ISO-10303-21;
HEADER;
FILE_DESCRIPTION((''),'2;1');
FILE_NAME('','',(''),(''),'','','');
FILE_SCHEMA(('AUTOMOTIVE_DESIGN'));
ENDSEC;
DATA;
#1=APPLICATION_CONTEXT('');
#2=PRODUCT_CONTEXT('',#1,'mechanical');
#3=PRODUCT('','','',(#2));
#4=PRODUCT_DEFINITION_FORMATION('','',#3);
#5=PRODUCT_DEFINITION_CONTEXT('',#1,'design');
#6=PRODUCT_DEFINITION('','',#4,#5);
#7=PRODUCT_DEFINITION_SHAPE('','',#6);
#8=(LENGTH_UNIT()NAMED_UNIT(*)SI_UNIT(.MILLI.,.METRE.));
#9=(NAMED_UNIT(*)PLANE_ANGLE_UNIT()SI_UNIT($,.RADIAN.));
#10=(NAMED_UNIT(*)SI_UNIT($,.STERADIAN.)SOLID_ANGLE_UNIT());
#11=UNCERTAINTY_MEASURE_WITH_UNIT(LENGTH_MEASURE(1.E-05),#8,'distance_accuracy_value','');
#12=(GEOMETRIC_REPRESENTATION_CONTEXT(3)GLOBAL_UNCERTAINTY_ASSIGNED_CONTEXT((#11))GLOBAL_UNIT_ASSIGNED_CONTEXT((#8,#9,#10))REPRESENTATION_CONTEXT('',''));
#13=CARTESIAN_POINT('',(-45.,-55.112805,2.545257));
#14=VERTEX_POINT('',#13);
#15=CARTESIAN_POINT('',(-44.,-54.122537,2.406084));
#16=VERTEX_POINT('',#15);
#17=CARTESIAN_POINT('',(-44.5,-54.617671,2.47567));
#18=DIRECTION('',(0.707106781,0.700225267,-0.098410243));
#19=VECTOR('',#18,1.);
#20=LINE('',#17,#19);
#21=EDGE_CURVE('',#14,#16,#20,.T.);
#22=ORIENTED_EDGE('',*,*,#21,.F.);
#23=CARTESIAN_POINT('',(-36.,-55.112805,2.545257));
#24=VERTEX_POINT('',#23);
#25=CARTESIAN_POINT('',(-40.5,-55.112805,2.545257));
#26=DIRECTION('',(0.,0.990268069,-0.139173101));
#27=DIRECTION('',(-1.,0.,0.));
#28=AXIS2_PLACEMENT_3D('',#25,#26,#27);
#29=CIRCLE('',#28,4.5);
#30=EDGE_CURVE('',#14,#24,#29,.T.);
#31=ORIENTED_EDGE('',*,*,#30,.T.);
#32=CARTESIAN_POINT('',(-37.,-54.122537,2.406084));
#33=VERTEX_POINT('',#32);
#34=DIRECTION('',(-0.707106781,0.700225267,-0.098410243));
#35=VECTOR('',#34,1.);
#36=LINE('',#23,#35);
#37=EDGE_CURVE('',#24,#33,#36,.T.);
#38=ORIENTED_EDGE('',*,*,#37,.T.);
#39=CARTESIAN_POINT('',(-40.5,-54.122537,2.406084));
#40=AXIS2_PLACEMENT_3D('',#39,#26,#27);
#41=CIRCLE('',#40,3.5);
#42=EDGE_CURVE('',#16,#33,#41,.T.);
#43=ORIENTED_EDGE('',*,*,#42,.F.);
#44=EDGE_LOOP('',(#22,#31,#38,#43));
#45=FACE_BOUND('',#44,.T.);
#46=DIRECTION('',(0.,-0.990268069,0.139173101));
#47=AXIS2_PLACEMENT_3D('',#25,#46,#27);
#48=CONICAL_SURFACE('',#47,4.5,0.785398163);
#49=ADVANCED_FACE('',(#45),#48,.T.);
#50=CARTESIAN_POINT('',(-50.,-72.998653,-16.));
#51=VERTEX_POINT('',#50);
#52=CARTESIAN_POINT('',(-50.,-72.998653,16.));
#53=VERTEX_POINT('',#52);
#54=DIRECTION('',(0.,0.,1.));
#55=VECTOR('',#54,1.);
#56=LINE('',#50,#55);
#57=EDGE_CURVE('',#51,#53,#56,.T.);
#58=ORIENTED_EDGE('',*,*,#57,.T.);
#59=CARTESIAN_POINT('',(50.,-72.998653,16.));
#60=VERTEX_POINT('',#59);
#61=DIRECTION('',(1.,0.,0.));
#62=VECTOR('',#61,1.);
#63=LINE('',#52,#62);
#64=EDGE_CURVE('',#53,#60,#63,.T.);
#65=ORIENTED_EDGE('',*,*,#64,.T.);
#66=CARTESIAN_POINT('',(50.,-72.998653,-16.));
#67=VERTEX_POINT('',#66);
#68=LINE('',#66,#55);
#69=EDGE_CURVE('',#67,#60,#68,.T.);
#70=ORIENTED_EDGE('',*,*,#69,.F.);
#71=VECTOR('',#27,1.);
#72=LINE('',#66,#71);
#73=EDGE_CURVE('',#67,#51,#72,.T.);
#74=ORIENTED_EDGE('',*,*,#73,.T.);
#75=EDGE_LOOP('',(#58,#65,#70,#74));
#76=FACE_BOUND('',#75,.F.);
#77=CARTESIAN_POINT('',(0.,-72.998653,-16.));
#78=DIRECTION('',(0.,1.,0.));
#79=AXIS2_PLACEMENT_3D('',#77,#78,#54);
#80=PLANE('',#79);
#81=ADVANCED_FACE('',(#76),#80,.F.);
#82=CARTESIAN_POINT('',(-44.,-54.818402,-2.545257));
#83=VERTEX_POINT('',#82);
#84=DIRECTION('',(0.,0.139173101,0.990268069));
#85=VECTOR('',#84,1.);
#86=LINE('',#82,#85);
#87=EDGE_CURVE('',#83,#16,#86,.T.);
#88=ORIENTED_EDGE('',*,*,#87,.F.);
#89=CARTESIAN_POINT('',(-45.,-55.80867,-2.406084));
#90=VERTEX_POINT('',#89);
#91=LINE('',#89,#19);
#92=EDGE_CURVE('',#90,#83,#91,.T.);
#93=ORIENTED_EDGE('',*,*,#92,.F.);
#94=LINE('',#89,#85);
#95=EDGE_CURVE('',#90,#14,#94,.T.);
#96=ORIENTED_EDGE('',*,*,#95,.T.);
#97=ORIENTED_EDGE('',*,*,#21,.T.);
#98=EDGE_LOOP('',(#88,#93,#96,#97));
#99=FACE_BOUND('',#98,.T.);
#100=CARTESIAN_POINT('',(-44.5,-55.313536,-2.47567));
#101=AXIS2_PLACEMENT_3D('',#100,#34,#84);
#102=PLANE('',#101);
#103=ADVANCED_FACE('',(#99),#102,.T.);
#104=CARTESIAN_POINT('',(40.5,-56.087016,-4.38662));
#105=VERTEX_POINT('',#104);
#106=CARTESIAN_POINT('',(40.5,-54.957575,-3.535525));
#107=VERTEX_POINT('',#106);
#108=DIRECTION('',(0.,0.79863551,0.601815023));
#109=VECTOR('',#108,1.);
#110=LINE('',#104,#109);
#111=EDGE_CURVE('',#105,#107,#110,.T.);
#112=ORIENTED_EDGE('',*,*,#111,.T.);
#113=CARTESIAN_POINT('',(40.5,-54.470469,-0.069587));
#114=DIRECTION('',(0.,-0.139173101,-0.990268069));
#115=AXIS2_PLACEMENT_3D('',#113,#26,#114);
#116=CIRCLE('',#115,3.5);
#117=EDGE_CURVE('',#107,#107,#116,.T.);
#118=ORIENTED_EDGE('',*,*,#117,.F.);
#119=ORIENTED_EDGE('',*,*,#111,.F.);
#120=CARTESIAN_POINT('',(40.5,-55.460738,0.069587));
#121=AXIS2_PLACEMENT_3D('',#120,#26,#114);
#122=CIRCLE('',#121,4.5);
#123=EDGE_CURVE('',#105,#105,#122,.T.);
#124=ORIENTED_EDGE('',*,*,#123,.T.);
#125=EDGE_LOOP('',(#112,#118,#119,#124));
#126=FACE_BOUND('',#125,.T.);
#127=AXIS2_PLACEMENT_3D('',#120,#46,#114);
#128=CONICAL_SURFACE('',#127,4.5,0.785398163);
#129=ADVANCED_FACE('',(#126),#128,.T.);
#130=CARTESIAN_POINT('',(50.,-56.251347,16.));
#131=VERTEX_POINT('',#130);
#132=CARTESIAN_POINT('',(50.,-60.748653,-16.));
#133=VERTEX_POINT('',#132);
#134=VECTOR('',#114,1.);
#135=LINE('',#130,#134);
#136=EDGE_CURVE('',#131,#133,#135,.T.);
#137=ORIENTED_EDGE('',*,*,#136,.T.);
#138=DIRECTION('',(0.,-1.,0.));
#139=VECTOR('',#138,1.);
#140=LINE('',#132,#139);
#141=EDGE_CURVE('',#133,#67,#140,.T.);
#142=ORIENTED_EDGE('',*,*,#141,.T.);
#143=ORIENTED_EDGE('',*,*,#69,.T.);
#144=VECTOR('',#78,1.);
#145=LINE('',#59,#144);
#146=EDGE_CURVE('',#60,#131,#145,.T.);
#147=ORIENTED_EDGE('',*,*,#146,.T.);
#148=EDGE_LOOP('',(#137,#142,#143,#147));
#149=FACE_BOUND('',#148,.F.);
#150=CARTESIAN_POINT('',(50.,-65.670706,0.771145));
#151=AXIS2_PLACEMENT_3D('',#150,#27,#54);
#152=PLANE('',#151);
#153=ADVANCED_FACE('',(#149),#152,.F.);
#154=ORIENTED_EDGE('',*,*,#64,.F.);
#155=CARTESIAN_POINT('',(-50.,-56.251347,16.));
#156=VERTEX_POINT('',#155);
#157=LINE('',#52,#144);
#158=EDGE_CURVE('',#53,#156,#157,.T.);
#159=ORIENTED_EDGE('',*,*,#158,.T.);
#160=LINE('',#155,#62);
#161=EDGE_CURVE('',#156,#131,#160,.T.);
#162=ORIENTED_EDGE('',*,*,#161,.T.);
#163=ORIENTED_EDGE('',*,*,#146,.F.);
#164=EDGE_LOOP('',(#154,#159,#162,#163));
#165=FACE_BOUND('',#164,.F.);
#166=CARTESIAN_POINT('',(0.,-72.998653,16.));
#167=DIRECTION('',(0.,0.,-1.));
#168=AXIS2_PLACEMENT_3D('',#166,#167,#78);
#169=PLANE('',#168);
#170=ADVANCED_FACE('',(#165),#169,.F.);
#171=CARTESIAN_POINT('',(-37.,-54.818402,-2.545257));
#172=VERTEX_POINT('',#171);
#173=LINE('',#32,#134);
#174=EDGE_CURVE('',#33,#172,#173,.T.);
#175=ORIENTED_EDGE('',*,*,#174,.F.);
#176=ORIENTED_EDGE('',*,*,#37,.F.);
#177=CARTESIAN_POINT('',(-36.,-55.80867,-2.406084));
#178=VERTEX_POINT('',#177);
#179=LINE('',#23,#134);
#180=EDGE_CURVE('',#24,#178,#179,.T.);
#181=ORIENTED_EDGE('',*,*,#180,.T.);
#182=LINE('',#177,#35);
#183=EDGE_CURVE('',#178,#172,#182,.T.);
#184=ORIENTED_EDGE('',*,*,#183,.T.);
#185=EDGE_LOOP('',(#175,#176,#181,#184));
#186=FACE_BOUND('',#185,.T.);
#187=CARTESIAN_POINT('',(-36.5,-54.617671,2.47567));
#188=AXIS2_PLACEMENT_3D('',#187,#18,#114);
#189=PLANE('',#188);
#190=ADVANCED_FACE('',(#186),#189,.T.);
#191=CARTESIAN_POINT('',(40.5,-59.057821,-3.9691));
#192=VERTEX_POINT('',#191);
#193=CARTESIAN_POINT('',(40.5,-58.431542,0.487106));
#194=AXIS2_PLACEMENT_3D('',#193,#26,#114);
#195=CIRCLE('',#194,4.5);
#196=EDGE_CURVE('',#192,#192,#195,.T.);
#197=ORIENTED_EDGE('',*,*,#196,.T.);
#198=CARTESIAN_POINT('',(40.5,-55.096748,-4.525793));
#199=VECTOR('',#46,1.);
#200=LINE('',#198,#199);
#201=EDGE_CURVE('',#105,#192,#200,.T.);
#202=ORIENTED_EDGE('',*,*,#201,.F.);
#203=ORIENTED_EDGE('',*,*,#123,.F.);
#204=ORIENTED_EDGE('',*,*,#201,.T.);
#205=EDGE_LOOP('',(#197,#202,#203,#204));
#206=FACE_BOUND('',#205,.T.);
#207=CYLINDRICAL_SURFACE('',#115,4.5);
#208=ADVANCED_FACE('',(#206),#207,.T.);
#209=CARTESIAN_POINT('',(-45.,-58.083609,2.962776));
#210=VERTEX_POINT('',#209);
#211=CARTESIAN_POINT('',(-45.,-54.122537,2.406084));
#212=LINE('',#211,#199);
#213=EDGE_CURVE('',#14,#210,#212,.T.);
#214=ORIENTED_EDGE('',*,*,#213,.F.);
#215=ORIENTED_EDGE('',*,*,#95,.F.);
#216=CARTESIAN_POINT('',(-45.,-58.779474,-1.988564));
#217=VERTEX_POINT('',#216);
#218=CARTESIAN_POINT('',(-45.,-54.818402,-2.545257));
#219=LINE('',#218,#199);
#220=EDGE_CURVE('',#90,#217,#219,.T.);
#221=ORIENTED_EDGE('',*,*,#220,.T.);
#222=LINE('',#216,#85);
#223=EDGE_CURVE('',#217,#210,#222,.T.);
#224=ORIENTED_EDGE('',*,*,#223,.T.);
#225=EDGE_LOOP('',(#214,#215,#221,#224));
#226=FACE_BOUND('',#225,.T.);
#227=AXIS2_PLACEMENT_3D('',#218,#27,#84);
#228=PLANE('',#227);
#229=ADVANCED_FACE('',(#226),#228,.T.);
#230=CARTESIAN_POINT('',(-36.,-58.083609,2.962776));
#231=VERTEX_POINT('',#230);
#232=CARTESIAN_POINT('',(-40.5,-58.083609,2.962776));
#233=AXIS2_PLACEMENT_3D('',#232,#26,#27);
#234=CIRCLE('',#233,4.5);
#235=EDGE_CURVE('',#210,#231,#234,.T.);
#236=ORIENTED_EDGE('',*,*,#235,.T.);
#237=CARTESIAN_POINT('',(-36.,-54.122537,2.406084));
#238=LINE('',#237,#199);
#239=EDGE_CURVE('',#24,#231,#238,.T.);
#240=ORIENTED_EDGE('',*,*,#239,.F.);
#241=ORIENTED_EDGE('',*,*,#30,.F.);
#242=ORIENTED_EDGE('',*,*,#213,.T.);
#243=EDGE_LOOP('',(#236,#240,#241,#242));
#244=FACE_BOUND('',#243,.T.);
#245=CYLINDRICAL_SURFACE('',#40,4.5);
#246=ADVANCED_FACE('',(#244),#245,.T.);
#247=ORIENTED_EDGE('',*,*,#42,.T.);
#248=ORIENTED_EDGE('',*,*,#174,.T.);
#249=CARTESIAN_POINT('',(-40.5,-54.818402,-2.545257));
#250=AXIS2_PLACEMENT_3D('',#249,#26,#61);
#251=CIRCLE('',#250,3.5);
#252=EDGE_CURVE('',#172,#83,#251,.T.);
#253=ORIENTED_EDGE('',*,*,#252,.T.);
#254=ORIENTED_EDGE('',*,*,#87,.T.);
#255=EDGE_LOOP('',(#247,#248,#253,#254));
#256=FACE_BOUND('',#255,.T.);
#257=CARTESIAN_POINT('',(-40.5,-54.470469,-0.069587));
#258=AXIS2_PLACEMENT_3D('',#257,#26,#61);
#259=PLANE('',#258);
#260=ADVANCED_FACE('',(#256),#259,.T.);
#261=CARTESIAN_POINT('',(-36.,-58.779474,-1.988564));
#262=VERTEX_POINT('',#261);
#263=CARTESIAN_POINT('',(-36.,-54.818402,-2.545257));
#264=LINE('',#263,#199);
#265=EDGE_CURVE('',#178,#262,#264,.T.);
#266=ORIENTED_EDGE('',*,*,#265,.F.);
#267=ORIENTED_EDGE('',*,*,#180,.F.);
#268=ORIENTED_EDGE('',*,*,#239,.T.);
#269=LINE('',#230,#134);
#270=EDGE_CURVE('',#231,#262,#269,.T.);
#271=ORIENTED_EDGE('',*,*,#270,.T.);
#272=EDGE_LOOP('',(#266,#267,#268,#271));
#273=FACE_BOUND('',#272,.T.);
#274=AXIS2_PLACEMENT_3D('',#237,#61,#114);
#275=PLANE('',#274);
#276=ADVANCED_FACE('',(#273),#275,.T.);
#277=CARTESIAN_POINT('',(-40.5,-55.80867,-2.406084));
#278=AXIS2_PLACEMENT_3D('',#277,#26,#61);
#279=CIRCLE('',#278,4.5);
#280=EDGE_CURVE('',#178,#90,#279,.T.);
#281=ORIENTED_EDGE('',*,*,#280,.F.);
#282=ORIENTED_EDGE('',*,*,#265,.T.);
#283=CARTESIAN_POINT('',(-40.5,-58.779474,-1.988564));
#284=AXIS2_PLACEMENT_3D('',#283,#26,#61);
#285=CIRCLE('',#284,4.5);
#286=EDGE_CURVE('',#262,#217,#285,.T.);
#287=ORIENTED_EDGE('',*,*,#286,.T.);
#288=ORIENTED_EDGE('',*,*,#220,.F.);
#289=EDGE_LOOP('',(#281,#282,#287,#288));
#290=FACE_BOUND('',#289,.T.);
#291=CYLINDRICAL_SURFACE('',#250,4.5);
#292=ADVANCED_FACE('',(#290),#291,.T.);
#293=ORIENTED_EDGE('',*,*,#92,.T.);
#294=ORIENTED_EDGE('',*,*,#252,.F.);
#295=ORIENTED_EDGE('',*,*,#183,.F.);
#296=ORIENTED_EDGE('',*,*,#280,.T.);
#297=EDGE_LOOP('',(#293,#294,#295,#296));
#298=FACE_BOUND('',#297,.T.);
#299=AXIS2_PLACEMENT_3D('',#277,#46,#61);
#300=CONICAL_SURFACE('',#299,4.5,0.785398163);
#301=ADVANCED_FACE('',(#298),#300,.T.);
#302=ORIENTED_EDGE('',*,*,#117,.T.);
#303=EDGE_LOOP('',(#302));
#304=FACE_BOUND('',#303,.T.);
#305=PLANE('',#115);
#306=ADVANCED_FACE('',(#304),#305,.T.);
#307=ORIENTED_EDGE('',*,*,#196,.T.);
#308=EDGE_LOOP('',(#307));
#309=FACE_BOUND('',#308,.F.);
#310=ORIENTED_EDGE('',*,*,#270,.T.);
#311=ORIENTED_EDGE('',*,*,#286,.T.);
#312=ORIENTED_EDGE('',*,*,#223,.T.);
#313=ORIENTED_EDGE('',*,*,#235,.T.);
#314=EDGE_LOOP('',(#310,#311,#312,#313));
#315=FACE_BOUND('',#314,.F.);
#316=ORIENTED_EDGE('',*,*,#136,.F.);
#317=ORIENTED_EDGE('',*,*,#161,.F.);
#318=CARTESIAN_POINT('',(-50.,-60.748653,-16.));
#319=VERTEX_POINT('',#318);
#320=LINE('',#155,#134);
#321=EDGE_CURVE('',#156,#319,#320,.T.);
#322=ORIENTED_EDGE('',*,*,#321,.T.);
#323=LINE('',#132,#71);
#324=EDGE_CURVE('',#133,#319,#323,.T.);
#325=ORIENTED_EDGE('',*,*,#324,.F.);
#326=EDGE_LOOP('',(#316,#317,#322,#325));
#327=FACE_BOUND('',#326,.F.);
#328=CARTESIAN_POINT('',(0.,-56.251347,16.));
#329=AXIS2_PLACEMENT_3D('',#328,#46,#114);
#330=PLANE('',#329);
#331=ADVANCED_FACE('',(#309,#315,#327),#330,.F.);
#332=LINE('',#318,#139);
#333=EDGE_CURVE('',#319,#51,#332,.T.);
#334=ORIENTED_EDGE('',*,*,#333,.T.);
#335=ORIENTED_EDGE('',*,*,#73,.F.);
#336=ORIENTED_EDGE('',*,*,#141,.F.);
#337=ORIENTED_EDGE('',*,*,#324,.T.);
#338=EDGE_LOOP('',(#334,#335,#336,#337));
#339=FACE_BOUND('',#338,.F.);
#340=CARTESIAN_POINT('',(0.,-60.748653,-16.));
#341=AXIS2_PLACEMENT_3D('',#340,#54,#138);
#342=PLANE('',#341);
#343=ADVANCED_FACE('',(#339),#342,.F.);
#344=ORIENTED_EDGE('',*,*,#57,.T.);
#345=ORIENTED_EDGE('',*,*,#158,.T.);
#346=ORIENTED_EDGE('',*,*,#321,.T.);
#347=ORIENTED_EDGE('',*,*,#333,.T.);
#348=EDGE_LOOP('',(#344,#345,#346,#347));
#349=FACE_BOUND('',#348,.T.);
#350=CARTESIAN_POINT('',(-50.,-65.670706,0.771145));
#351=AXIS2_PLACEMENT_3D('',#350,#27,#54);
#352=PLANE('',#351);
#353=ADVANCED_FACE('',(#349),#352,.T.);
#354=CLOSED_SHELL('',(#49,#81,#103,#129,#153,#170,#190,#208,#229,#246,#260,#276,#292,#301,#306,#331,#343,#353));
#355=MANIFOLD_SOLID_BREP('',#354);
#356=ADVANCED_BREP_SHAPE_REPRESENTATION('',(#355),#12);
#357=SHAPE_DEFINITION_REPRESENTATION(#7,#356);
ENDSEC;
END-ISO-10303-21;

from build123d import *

# Parameters (mm, degrees)
EXTRUDE_1_DEPTH     = 16
CUT_EXTRUDE_1_DEPTH = 50
EXTRUDE_2_DEPTH     = 28.5
SKETCH_4_R          = 4.5
CUT_EXTRUDE_2_DEPTH = 28.5
EXTRUDE_3_DEPTH     = 50
EXTRUDE_START       = 4
SKETCH_6_R          = 4.5
EXTRUDE_4_DEPTH     = 4
CUT_EXTRUDE_3_DEPTH = 60
CHAMFER_1_SIZE      = 1


with BuildPart() as part:
    # 草图1 → 凸台-拉伸1 (new, symmetric)
    with BuildSketch(Plane.XY):
        with BuildLine():
            Line((-17, -12.990381057), (-17, -66.86388681))
            Line((-17, -66.86388681), (-20.5, -66.86388681))
            Line((-20.5, -66.86388681), (-20.5, -12.990381057))
            ThreePointArc((-20.5, -12.990381057), (-17.809307341, -9.210736327), (-13.357142857, -10.51602276))
            ThreePointArc((-13.357142857, -10.51602276), (0, -17), (13.357142857, -10.51602276))
            ThreePointArc((13.357142857, -10.51602276), (17.809307341, -9.210736327), (20.5, -12.990381057))
            Line((20.5, -12.990381057), (20.5, -66.86388681))
            Line((20.5, -66.86388681), (17, -66.86388681))
            Line((17, -66.86388681), (17, -12.990381057))
            ThreePointArc((17, -12.990381057), (16.663663418, -12.517925466), (16.107142857, -12.68108627))
            ThreePointArc((16.107142857, -12.68108627), (0, -20.5), (-16.107142857, -12.68108627))
            ThreePointArc((-16.107142857, -12.68108627), (-16.663663418, -12.517925466), (-17, -12.990381057))
        make_face()
    extrude(amount=EXTRUDE_1_DEPTH, both=True)

    # 草图2 → 切除-拉伸1 (cut, symmetric)
    with BuildSketch(Plane(origin=(0, 0, 0), x_dir=(0, 0, -1), z_dir=(1, 0, 0))):
        Polygon((16, -60.748653355), (-16, -56.251346645), (-16, -66.86388681), (16, -66.86388681), align=None)
    extrude(amount=CUT_EXTRUDE_1_DEPTH, both=True, mode=Mode.SUBTRACT)

    # 草图3 → 凸台-拉伸2 (add)
    with BuildSketch(Plane.ZY.offset(20.5)):
        Polygon((-16, -60.748653355), (16, -56.251346645), (16, -52.716950141), (-16, -57.214256851), align=None)
    extrude_2 = extrude(amount=EXTRUDE_2_DEPTH)

    # 镜向1: 凸台-拉伸2 across plane
    add(extrude_2.mirror(Plane(origin=(0, 0, 0), x_dir=(0, 0, 1), z_dir=(1, 0, 0))))

    # 草图4 → 切除-拉伸2 (cut)
    with BuildSketch(Plane(origin=(0, -53.900966366, 7.575286804), x_dir=(1, 0, 0), z_dir=(0, 0.9902680687415715, -0.13917310096005808))):
        with Locations(Location((40.5, 7.649733485, 0), (0, 0, 270))):
            Circle(SKETCH_4_R)
        with BuildLine():
            Line((-36, 10.149733485), (-36, 5.149733485))
            ThreePointArc((-36, 5.149733485), (-40.5, 0.649733485), (-45, 5.149733485))
            Line((-45, 5.149733485), (-45, 10.149733485))
            ThreePointArc((-45, 10.149733485), (-40.5, 14.649733485), (-36, 10.149733485))
        make_face()
    extrude(amount=-CUT_EXTRUDE_2_DEPTH, mode=Mode.SUBTRACT)

    # 草图7 → 切除-拉伸3 (cut, symmetric)
    with BuildSketch(Plane(origin=(0, 0, 0), x_dir=(0, 0, -1), z_dir=(1, 0, 0))):
        Polygon((16, -60.748653355), (-16, -56.251346645), (-16, 0), (16, 0), align=None)
    extrude(amount=CUT_EXTRUDE_3_DEPTH, both=True, mode=Mode.SUBTRACT)


with BuildPart() as body_2:
    # 草图5 → 凸台-拉伸3 (new, symmetric)
    with BuildSketch(Plane(origin=(0, 0, 0), x_dir=(0, 0, -1), z_dir=(1, 0, 0))):
        Polygon((-16, -56.251346645), (16, -60.748653355), (16, -72.998653355), (-16, -72.998653355), align=None)
    extrude(amount=EXTRUDE_3_DEPTH, both=True)

    # 草图6 → 凸台-拉伸4 (add)
    with BuildSketch(Plane(origin=(0, -57.366904606, 8.062392658), x_dir=(1, 0, 0), z_dir=(0, 0.9902680687415714, -0.13917310096005842)).offset(EXTRUDE_START)):
        with Locations(Location((40.5, 7.649733485, 0), (0, 0, 90))):
            Circle(SKETCH_6_R)
        with BuildLine():
            Line((-36, 5.149733485), (-36, 10.149733485))
            ThreePointArc((-36, 10.149733485), (-40.5, 14.649733485), (-45, 10.149733485))
            Line((-45, 10.149733485), (-45, 5.149733485))
            ThreePointArc((-45, 5.149733485), (-40.5, 0.649733485), (-36, 5.149733485))
        make_face()
    extrude(amount=-EXTRUDE_4_DEPTH)

    # 倒角1
    chamfer_1_edges = [body_2.edges().sort_by_distance(p)[0] for p in [
        (-40.5, -55.444681169, -7.001463032),
        (-45, -54.470469462, -0.06958655),
        (-40.5, -53.496257755, 6.862289931),
        (-36, -54.470469462, -0.06958655),
        (40.5, -53.844190507, 4.386619759),
    ]]
    chamfer(chamfer_1_edges, length=CHAMFER_1_SIZE)


solid = body_2.part
